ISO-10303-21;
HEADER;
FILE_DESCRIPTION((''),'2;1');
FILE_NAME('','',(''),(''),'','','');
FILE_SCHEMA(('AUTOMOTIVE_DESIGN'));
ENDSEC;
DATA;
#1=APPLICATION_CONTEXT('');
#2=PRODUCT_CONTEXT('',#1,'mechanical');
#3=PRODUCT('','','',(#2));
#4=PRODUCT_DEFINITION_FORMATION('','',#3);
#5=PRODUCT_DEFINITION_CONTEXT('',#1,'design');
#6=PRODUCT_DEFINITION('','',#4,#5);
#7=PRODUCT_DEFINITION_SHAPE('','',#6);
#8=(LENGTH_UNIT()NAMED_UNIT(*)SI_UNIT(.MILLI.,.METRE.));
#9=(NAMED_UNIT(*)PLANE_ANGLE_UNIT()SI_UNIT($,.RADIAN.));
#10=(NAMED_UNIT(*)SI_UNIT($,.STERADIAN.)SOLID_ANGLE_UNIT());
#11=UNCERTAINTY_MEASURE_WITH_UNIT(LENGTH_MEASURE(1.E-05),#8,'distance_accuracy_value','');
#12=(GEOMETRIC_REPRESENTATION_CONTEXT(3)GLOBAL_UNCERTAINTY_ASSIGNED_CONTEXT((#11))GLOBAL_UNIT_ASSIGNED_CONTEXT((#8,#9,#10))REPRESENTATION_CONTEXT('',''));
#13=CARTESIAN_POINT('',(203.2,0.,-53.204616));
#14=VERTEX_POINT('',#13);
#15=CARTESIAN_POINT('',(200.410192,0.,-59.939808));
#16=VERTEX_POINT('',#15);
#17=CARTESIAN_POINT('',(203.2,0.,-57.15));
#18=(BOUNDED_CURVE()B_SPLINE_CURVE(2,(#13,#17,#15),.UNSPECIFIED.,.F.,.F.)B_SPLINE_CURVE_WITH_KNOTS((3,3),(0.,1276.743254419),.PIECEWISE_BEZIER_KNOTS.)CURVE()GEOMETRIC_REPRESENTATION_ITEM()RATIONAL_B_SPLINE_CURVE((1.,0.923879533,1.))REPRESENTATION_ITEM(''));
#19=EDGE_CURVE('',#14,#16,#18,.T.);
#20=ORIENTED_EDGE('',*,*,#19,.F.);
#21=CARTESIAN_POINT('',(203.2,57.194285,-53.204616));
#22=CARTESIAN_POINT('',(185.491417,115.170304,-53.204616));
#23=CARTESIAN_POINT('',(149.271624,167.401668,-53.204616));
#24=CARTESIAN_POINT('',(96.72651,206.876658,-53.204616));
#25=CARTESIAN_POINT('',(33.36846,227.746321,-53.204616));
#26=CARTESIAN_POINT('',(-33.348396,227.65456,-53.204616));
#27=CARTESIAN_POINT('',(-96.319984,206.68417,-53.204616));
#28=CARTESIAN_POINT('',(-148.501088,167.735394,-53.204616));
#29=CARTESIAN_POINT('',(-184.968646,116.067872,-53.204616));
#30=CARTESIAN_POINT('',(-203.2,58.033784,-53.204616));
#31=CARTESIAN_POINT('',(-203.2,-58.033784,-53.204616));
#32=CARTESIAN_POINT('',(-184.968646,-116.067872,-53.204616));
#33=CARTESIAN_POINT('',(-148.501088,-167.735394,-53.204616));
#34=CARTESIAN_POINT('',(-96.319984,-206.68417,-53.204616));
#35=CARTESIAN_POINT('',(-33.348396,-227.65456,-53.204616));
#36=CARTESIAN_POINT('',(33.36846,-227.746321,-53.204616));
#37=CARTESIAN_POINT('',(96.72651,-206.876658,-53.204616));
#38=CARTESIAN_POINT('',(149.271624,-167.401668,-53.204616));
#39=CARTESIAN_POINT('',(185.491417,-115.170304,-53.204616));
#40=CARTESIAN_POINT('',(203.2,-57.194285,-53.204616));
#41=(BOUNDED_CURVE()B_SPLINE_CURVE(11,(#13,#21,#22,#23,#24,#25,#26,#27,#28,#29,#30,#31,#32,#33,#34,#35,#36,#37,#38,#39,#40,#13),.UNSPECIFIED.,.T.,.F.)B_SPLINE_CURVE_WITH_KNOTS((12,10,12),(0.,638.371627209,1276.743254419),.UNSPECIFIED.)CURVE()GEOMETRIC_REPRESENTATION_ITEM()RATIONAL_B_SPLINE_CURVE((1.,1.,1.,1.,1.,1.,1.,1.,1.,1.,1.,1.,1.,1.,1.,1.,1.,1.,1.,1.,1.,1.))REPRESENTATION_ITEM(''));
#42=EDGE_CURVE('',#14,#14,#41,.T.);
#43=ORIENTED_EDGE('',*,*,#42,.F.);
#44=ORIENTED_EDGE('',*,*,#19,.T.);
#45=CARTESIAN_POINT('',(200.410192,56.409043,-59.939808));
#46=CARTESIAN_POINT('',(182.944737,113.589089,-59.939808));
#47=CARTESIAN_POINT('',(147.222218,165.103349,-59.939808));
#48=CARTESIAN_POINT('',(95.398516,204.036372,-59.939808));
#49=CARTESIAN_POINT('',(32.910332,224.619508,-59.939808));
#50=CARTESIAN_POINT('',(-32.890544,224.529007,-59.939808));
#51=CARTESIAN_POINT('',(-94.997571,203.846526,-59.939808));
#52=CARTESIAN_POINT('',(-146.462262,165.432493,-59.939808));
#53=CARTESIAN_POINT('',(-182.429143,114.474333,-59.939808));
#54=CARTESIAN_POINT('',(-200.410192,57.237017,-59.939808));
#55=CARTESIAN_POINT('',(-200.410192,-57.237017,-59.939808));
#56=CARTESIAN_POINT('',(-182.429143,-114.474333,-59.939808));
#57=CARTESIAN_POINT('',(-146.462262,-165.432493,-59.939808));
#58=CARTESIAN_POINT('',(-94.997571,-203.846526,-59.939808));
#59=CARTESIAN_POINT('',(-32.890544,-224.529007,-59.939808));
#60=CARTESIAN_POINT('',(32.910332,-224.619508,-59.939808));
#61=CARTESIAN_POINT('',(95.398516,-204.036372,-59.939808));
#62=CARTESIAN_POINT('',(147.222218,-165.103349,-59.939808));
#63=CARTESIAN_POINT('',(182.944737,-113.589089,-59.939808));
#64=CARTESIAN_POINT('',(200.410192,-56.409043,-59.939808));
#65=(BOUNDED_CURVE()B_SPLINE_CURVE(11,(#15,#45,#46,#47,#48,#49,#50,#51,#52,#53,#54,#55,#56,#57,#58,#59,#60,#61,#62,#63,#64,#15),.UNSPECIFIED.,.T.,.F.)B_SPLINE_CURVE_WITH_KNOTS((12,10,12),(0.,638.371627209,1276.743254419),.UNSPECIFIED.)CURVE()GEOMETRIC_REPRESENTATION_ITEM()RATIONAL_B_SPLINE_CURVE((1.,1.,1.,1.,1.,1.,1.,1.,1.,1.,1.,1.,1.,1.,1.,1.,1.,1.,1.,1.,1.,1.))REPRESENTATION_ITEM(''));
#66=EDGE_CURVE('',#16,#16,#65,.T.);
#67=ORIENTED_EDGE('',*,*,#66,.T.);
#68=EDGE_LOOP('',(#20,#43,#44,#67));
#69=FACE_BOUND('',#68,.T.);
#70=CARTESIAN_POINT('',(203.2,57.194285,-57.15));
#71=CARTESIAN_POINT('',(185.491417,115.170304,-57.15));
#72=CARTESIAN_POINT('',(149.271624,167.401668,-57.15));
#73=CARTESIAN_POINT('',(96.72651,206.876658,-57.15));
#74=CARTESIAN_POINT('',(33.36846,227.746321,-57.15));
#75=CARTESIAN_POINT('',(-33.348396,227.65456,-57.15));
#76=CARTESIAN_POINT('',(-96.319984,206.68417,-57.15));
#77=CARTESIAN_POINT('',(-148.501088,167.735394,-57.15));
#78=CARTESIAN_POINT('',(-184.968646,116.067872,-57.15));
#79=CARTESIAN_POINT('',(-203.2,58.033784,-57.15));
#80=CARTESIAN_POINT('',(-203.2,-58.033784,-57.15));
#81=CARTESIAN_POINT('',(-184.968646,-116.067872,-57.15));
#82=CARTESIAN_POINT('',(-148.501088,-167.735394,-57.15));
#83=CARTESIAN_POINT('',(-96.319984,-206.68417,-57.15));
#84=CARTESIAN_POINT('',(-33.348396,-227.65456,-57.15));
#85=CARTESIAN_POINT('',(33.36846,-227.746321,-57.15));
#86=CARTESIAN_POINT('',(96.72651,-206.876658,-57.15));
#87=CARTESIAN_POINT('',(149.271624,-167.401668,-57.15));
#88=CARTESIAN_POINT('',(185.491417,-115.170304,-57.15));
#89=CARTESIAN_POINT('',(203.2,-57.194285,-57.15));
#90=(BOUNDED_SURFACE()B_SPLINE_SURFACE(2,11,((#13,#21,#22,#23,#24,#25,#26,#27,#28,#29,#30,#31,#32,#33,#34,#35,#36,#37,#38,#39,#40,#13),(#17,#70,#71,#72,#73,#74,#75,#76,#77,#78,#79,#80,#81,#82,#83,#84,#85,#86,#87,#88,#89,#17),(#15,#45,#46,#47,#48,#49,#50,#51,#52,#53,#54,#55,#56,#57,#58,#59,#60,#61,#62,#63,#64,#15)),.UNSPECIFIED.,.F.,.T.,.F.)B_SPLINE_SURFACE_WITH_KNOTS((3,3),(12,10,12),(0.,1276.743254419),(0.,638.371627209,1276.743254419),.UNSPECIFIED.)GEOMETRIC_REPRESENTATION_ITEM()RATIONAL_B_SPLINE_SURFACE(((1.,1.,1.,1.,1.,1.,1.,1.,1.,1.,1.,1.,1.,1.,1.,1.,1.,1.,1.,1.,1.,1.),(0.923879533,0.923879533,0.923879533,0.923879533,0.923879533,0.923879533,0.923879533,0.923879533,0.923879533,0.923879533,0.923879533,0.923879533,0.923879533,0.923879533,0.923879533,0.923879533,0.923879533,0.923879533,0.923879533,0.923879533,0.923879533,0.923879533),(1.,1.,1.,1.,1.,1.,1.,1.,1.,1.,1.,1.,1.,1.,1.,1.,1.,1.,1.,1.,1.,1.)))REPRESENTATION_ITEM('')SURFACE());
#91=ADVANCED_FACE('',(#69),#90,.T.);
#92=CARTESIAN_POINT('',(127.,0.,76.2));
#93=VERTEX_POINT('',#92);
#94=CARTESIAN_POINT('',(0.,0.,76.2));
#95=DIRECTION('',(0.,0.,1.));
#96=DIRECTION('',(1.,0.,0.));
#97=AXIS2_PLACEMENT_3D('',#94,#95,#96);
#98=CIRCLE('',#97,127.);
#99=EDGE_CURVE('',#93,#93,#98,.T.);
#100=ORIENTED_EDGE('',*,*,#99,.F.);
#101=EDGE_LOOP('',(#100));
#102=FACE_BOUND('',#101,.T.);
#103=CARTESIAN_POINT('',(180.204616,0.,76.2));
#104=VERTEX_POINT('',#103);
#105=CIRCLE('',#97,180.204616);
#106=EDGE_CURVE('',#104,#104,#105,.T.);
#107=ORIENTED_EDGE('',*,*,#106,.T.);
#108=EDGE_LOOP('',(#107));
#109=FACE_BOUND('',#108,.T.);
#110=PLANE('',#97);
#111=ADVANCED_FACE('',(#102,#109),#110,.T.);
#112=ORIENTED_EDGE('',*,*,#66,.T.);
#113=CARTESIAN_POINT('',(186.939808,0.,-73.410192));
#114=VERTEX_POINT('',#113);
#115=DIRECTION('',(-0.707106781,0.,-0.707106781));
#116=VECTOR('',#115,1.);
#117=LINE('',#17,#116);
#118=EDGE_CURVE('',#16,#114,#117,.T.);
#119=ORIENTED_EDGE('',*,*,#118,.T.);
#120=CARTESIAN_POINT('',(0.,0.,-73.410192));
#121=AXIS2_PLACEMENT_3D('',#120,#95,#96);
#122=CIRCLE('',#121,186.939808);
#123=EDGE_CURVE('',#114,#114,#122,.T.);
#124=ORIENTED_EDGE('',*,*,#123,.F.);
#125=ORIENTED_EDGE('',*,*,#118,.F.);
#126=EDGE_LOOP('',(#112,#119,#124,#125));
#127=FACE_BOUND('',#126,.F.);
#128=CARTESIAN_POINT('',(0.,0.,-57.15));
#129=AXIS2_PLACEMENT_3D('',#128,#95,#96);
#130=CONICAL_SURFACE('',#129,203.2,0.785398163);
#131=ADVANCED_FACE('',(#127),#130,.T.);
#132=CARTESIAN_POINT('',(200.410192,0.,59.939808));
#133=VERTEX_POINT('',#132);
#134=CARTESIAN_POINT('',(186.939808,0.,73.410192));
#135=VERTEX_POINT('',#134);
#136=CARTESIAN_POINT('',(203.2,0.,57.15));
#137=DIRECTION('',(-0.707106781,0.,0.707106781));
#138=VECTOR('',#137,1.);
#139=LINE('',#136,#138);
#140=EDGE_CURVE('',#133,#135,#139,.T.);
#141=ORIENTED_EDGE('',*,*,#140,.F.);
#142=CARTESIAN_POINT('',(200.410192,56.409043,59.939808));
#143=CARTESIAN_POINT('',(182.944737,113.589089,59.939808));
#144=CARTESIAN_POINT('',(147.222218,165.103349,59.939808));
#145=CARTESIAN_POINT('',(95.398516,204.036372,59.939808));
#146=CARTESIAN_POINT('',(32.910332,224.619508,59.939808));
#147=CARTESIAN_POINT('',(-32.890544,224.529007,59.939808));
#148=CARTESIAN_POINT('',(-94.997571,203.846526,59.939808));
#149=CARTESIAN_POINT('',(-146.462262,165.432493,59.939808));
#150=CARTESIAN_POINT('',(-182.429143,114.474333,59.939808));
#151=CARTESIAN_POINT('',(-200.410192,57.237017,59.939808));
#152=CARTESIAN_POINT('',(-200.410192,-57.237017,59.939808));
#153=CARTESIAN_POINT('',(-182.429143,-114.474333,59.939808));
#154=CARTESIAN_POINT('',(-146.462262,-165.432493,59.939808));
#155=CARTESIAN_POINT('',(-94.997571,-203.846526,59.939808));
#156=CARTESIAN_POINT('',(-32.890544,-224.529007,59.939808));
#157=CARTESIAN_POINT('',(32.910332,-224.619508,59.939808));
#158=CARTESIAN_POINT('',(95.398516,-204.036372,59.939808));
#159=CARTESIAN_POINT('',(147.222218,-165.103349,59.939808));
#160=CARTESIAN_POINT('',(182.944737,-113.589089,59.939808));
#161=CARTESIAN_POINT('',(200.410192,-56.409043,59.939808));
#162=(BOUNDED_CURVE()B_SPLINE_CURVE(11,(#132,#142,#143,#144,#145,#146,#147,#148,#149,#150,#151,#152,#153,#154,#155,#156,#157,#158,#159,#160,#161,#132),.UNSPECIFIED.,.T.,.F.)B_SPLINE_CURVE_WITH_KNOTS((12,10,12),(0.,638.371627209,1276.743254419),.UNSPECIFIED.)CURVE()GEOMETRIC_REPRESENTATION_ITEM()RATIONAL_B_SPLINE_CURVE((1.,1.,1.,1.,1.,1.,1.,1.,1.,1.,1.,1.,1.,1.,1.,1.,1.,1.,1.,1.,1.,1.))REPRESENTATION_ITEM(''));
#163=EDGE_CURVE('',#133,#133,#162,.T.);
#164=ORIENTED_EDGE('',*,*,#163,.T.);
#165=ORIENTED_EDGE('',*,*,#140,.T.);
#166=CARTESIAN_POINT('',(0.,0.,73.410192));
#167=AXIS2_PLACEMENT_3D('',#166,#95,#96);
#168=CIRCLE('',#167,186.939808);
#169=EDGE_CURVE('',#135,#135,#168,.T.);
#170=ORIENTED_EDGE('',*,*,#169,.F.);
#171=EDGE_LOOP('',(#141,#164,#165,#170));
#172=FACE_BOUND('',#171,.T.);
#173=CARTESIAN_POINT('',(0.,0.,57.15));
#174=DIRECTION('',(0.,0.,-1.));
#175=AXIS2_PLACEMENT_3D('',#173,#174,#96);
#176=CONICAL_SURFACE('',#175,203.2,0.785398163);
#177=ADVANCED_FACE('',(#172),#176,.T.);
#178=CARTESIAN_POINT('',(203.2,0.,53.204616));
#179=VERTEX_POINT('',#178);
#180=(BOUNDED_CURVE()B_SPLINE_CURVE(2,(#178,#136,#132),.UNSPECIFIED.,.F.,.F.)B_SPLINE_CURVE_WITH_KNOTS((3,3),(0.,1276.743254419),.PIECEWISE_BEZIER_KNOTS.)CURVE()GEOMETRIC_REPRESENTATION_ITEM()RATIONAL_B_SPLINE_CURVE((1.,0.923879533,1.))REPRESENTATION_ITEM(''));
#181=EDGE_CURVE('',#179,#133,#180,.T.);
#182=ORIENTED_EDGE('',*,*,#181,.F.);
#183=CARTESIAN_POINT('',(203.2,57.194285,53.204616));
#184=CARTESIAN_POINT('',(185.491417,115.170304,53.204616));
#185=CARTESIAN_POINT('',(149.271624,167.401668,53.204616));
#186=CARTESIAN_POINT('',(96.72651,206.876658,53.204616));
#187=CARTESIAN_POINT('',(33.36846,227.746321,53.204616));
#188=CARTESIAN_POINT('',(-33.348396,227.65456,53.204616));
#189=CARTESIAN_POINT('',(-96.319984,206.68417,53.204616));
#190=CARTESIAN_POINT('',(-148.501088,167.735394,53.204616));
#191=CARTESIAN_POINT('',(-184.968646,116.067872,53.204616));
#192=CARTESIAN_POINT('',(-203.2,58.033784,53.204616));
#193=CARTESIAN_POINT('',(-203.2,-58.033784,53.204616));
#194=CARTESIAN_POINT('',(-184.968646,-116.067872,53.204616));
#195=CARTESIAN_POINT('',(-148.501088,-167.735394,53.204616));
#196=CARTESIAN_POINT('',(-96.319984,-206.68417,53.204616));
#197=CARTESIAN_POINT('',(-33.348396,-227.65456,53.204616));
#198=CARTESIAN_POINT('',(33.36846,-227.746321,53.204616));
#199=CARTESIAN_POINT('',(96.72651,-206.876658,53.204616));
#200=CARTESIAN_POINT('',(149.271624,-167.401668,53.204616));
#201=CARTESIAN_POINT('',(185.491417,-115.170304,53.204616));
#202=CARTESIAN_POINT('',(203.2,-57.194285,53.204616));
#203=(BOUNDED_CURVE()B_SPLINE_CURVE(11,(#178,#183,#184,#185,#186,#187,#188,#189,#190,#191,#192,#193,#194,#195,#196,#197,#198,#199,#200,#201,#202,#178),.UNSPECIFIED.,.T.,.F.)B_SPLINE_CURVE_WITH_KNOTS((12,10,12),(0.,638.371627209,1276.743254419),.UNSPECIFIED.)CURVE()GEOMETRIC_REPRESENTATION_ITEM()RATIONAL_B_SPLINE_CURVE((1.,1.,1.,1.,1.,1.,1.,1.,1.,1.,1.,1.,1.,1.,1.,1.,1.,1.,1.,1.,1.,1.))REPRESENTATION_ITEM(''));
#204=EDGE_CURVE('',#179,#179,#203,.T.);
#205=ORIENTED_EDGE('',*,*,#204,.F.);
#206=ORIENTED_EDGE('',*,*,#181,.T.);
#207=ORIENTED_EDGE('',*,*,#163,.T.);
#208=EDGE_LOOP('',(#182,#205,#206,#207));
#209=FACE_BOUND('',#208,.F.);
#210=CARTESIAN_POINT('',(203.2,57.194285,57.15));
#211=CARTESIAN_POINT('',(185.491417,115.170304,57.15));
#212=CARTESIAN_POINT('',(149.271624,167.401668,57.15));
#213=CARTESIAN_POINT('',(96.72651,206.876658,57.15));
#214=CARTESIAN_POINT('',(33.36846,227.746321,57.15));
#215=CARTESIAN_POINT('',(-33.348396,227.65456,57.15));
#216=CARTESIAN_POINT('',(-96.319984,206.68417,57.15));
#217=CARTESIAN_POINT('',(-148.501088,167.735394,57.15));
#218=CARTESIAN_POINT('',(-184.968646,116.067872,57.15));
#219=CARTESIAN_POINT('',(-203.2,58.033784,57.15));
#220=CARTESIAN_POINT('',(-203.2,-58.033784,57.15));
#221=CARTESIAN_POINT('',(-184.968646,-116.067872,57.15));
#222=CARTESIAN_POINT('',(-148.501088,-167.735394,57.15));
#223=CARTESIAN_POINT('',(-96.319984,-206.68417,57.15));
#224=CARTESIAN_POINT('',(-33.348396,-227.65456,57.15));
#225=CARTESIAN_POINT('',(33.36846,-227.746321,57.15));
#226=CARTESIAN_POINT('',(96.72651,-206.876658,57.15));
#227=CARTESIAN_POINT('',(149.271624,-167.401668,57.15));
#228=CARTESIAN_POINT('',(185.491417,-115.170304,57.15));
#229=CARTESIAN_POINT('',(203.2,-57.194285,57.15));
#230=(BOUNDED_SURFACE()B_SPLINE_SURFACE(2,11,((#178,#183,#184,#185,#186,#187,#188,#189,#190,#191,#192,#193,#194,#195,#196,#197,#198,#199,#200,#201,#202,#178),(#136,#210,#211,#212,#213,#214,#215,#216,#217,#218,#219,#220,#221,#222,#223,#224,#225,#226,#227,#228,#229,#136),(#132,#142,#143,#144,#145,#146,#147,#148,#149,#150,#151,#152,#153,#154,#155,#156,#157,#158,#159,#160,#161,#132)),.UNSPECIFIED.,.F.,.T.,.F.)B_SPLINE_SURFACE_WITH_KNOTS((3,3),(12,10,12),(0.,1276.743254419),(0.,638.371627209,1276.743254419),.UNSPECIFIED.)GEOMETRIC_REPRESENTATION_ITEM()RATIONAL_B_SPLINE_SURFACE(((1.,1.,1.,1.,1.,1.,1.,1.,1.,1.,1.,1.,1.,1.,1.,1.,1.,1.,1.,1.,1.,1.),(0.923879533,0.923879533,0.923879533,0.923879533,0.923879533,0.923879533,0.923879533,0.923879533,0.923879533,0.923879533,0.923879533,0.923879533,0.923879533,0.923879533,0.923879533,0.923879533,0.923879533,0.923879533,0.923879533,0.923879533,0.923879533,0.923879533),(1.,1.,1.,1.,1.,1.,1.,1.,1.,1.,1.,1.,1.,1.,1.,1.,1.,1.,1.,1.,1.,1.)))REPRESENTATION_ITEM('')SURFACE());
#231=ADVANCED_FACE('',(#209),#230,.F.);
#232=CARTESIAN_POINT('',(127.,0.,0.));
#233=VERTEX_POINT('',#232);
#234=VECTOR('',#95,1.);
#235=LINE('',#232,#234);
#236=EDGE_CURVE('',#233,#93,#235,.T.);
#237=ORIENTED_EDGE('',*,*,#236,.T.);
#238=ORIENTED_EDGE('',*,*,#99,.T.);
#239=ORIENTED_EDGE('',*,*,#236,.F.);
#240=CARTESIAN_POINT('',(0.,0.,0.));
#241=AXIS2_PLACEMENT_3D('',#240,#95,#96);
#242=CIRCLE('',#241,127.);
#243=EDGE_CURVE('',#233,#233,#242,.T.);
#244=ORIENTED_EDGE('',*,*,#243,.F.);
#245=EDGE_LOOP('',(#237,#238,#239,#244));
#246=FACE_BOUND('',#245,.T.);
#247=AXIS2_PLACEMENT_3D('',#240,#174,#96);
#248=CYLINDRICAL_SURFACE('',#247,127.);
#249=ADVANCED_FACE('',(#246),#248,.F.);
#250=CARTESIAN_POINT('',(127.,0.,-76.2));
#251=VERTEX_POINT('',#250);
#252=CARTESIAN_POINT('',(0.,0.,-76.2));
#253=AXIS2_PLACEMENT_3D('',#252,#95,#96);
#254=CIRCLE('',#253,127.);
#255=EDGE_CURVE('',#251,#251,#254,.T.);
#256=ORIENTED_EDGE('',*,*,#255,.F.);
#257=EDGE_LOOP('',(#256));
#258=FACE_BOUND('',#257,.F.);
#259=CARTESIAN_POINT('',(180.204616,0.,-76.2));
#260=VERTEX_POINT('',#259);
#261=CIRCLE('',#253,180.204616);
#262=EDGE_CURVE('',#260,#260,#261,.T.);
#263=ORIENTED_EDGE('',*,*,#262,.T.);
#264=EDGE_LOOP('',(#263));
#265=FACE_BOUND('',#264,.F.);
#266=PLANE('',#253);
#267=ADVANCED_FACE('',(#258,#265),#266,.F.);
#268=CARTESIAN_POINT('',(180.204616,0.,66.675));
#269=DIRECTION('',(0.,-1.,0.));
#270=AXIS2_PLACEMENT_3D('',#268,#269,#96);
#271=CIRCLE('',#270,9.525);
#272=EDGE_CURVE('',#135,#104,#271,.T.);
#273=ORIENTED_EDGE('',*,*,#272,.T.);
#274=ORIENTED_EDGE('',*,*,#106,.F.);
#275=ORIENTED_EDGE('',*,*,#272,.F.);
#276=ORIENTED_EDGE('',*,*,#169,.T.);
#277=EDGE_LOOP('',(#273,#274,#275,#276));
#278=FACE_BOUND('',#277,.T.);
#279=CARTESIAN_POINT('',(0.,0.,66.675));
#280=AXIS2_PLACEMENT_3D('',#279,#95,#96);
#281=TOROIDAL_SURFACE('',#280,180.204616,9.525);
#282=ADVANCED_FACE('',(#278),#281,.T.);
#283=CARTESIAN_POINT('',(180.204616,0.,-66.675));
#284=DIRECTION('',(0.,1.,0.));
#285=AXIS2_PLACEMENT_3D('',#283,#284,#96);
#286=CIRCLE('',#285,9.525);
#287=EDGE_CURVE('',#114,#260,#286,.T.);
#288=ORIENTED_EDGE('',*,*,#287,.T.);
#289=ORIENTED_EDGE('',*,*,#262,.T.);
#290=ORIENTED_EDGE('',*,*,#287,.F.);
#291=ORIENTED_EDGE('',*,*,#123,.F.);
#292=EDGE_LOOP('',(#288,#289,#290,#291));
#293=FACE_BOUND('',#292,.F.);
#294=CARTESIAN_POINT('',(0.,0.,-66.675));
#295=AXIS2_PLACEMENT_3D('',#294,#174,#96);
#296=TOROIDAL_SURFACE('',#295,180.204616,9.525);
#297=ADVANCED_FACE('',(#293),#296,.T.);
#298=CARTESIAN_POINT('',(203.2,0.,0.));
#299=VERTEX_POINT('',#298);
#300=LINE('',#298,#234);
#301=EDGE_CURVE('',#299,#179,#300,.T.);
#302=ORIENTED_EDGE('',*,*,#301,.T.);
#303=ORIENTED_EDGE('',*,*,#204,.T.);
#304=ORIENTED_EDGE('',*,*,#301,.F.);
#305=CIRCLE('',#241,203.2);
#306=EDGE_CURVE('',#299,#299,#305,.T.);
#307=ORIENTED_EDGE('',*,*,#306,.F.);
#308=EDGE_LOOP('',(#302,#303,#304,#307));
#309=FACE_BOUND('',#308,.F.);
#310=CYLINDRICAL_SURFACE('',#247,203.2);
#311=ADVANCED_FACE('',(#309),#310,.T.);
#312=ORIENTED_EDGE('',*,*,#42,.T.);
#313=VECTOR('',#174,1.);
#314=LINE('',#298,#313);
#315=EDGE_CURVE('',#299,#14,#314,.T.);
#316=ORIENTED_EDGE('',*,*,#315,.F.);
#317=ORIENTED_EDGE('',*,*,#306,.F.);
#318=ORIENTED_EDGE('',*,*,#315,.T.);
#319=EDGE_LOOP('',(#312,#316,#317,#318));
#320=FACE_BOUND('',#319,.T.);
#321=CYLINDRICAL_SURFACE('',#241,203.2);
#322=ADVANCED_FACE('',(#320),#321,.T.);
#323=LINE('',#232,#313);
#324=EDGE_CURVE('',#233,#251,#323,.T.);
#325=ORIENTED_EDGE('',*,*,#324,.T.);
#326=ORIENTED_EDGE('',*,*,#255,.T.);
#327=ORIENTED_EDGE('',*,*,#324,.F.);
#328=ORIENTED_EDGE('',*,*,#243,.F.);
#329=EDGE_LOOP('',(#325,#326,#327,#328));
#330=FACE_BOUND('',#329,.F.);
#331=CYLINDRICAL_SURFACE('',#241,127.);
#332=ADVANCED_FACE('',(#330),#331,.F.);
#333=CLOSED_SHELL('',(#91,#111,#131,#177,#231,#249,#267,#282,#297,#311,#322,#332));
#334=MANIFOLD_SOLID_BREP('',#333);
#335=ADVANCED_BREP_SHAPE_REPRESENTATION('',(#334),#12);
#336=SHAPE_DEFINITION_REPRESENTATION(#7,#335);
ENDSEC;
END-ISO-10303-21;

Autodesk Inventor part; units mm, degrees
ref_plane "YZ Plane" through (0, 0, 0) normal (1, 0, 0) x (0, 1, 0)
ref_plane "XZ Plane" through (0, 0, 0) normal (0, 1, 0) x (-1, 0, 0)
ref_plane "XY Plane" through (0, 0, 0) normal (0, 0, 1) x (1, 0, 0)
sketch "Sketch1" plane through (0, 0, 0) normal (0, 0, 1) x (1, 0, 0)
  circle A0 centre (0, 0) radius 203.2
  circle A1 centre (0, 0) radius 127
  dimension "d0" = 406.4
  dimension "d1" = 76.2
extrude "Extrusion1" add sketch "Sketch1" along normal mid plane 152.4
chamfer "Chamfer1" distance 19.05 angle 45 2 edges at (-203.2, 0, 76.2) (-203.2, 0, -76.2)
fillet "Fillet2" radius 9.525 4 edges at (-203.2, 0, 57.15) (-184.15, 0, 76.2) (-203.2, 0, -57.15) (-184.15, 0, -76.2)
properties part number "tire"
